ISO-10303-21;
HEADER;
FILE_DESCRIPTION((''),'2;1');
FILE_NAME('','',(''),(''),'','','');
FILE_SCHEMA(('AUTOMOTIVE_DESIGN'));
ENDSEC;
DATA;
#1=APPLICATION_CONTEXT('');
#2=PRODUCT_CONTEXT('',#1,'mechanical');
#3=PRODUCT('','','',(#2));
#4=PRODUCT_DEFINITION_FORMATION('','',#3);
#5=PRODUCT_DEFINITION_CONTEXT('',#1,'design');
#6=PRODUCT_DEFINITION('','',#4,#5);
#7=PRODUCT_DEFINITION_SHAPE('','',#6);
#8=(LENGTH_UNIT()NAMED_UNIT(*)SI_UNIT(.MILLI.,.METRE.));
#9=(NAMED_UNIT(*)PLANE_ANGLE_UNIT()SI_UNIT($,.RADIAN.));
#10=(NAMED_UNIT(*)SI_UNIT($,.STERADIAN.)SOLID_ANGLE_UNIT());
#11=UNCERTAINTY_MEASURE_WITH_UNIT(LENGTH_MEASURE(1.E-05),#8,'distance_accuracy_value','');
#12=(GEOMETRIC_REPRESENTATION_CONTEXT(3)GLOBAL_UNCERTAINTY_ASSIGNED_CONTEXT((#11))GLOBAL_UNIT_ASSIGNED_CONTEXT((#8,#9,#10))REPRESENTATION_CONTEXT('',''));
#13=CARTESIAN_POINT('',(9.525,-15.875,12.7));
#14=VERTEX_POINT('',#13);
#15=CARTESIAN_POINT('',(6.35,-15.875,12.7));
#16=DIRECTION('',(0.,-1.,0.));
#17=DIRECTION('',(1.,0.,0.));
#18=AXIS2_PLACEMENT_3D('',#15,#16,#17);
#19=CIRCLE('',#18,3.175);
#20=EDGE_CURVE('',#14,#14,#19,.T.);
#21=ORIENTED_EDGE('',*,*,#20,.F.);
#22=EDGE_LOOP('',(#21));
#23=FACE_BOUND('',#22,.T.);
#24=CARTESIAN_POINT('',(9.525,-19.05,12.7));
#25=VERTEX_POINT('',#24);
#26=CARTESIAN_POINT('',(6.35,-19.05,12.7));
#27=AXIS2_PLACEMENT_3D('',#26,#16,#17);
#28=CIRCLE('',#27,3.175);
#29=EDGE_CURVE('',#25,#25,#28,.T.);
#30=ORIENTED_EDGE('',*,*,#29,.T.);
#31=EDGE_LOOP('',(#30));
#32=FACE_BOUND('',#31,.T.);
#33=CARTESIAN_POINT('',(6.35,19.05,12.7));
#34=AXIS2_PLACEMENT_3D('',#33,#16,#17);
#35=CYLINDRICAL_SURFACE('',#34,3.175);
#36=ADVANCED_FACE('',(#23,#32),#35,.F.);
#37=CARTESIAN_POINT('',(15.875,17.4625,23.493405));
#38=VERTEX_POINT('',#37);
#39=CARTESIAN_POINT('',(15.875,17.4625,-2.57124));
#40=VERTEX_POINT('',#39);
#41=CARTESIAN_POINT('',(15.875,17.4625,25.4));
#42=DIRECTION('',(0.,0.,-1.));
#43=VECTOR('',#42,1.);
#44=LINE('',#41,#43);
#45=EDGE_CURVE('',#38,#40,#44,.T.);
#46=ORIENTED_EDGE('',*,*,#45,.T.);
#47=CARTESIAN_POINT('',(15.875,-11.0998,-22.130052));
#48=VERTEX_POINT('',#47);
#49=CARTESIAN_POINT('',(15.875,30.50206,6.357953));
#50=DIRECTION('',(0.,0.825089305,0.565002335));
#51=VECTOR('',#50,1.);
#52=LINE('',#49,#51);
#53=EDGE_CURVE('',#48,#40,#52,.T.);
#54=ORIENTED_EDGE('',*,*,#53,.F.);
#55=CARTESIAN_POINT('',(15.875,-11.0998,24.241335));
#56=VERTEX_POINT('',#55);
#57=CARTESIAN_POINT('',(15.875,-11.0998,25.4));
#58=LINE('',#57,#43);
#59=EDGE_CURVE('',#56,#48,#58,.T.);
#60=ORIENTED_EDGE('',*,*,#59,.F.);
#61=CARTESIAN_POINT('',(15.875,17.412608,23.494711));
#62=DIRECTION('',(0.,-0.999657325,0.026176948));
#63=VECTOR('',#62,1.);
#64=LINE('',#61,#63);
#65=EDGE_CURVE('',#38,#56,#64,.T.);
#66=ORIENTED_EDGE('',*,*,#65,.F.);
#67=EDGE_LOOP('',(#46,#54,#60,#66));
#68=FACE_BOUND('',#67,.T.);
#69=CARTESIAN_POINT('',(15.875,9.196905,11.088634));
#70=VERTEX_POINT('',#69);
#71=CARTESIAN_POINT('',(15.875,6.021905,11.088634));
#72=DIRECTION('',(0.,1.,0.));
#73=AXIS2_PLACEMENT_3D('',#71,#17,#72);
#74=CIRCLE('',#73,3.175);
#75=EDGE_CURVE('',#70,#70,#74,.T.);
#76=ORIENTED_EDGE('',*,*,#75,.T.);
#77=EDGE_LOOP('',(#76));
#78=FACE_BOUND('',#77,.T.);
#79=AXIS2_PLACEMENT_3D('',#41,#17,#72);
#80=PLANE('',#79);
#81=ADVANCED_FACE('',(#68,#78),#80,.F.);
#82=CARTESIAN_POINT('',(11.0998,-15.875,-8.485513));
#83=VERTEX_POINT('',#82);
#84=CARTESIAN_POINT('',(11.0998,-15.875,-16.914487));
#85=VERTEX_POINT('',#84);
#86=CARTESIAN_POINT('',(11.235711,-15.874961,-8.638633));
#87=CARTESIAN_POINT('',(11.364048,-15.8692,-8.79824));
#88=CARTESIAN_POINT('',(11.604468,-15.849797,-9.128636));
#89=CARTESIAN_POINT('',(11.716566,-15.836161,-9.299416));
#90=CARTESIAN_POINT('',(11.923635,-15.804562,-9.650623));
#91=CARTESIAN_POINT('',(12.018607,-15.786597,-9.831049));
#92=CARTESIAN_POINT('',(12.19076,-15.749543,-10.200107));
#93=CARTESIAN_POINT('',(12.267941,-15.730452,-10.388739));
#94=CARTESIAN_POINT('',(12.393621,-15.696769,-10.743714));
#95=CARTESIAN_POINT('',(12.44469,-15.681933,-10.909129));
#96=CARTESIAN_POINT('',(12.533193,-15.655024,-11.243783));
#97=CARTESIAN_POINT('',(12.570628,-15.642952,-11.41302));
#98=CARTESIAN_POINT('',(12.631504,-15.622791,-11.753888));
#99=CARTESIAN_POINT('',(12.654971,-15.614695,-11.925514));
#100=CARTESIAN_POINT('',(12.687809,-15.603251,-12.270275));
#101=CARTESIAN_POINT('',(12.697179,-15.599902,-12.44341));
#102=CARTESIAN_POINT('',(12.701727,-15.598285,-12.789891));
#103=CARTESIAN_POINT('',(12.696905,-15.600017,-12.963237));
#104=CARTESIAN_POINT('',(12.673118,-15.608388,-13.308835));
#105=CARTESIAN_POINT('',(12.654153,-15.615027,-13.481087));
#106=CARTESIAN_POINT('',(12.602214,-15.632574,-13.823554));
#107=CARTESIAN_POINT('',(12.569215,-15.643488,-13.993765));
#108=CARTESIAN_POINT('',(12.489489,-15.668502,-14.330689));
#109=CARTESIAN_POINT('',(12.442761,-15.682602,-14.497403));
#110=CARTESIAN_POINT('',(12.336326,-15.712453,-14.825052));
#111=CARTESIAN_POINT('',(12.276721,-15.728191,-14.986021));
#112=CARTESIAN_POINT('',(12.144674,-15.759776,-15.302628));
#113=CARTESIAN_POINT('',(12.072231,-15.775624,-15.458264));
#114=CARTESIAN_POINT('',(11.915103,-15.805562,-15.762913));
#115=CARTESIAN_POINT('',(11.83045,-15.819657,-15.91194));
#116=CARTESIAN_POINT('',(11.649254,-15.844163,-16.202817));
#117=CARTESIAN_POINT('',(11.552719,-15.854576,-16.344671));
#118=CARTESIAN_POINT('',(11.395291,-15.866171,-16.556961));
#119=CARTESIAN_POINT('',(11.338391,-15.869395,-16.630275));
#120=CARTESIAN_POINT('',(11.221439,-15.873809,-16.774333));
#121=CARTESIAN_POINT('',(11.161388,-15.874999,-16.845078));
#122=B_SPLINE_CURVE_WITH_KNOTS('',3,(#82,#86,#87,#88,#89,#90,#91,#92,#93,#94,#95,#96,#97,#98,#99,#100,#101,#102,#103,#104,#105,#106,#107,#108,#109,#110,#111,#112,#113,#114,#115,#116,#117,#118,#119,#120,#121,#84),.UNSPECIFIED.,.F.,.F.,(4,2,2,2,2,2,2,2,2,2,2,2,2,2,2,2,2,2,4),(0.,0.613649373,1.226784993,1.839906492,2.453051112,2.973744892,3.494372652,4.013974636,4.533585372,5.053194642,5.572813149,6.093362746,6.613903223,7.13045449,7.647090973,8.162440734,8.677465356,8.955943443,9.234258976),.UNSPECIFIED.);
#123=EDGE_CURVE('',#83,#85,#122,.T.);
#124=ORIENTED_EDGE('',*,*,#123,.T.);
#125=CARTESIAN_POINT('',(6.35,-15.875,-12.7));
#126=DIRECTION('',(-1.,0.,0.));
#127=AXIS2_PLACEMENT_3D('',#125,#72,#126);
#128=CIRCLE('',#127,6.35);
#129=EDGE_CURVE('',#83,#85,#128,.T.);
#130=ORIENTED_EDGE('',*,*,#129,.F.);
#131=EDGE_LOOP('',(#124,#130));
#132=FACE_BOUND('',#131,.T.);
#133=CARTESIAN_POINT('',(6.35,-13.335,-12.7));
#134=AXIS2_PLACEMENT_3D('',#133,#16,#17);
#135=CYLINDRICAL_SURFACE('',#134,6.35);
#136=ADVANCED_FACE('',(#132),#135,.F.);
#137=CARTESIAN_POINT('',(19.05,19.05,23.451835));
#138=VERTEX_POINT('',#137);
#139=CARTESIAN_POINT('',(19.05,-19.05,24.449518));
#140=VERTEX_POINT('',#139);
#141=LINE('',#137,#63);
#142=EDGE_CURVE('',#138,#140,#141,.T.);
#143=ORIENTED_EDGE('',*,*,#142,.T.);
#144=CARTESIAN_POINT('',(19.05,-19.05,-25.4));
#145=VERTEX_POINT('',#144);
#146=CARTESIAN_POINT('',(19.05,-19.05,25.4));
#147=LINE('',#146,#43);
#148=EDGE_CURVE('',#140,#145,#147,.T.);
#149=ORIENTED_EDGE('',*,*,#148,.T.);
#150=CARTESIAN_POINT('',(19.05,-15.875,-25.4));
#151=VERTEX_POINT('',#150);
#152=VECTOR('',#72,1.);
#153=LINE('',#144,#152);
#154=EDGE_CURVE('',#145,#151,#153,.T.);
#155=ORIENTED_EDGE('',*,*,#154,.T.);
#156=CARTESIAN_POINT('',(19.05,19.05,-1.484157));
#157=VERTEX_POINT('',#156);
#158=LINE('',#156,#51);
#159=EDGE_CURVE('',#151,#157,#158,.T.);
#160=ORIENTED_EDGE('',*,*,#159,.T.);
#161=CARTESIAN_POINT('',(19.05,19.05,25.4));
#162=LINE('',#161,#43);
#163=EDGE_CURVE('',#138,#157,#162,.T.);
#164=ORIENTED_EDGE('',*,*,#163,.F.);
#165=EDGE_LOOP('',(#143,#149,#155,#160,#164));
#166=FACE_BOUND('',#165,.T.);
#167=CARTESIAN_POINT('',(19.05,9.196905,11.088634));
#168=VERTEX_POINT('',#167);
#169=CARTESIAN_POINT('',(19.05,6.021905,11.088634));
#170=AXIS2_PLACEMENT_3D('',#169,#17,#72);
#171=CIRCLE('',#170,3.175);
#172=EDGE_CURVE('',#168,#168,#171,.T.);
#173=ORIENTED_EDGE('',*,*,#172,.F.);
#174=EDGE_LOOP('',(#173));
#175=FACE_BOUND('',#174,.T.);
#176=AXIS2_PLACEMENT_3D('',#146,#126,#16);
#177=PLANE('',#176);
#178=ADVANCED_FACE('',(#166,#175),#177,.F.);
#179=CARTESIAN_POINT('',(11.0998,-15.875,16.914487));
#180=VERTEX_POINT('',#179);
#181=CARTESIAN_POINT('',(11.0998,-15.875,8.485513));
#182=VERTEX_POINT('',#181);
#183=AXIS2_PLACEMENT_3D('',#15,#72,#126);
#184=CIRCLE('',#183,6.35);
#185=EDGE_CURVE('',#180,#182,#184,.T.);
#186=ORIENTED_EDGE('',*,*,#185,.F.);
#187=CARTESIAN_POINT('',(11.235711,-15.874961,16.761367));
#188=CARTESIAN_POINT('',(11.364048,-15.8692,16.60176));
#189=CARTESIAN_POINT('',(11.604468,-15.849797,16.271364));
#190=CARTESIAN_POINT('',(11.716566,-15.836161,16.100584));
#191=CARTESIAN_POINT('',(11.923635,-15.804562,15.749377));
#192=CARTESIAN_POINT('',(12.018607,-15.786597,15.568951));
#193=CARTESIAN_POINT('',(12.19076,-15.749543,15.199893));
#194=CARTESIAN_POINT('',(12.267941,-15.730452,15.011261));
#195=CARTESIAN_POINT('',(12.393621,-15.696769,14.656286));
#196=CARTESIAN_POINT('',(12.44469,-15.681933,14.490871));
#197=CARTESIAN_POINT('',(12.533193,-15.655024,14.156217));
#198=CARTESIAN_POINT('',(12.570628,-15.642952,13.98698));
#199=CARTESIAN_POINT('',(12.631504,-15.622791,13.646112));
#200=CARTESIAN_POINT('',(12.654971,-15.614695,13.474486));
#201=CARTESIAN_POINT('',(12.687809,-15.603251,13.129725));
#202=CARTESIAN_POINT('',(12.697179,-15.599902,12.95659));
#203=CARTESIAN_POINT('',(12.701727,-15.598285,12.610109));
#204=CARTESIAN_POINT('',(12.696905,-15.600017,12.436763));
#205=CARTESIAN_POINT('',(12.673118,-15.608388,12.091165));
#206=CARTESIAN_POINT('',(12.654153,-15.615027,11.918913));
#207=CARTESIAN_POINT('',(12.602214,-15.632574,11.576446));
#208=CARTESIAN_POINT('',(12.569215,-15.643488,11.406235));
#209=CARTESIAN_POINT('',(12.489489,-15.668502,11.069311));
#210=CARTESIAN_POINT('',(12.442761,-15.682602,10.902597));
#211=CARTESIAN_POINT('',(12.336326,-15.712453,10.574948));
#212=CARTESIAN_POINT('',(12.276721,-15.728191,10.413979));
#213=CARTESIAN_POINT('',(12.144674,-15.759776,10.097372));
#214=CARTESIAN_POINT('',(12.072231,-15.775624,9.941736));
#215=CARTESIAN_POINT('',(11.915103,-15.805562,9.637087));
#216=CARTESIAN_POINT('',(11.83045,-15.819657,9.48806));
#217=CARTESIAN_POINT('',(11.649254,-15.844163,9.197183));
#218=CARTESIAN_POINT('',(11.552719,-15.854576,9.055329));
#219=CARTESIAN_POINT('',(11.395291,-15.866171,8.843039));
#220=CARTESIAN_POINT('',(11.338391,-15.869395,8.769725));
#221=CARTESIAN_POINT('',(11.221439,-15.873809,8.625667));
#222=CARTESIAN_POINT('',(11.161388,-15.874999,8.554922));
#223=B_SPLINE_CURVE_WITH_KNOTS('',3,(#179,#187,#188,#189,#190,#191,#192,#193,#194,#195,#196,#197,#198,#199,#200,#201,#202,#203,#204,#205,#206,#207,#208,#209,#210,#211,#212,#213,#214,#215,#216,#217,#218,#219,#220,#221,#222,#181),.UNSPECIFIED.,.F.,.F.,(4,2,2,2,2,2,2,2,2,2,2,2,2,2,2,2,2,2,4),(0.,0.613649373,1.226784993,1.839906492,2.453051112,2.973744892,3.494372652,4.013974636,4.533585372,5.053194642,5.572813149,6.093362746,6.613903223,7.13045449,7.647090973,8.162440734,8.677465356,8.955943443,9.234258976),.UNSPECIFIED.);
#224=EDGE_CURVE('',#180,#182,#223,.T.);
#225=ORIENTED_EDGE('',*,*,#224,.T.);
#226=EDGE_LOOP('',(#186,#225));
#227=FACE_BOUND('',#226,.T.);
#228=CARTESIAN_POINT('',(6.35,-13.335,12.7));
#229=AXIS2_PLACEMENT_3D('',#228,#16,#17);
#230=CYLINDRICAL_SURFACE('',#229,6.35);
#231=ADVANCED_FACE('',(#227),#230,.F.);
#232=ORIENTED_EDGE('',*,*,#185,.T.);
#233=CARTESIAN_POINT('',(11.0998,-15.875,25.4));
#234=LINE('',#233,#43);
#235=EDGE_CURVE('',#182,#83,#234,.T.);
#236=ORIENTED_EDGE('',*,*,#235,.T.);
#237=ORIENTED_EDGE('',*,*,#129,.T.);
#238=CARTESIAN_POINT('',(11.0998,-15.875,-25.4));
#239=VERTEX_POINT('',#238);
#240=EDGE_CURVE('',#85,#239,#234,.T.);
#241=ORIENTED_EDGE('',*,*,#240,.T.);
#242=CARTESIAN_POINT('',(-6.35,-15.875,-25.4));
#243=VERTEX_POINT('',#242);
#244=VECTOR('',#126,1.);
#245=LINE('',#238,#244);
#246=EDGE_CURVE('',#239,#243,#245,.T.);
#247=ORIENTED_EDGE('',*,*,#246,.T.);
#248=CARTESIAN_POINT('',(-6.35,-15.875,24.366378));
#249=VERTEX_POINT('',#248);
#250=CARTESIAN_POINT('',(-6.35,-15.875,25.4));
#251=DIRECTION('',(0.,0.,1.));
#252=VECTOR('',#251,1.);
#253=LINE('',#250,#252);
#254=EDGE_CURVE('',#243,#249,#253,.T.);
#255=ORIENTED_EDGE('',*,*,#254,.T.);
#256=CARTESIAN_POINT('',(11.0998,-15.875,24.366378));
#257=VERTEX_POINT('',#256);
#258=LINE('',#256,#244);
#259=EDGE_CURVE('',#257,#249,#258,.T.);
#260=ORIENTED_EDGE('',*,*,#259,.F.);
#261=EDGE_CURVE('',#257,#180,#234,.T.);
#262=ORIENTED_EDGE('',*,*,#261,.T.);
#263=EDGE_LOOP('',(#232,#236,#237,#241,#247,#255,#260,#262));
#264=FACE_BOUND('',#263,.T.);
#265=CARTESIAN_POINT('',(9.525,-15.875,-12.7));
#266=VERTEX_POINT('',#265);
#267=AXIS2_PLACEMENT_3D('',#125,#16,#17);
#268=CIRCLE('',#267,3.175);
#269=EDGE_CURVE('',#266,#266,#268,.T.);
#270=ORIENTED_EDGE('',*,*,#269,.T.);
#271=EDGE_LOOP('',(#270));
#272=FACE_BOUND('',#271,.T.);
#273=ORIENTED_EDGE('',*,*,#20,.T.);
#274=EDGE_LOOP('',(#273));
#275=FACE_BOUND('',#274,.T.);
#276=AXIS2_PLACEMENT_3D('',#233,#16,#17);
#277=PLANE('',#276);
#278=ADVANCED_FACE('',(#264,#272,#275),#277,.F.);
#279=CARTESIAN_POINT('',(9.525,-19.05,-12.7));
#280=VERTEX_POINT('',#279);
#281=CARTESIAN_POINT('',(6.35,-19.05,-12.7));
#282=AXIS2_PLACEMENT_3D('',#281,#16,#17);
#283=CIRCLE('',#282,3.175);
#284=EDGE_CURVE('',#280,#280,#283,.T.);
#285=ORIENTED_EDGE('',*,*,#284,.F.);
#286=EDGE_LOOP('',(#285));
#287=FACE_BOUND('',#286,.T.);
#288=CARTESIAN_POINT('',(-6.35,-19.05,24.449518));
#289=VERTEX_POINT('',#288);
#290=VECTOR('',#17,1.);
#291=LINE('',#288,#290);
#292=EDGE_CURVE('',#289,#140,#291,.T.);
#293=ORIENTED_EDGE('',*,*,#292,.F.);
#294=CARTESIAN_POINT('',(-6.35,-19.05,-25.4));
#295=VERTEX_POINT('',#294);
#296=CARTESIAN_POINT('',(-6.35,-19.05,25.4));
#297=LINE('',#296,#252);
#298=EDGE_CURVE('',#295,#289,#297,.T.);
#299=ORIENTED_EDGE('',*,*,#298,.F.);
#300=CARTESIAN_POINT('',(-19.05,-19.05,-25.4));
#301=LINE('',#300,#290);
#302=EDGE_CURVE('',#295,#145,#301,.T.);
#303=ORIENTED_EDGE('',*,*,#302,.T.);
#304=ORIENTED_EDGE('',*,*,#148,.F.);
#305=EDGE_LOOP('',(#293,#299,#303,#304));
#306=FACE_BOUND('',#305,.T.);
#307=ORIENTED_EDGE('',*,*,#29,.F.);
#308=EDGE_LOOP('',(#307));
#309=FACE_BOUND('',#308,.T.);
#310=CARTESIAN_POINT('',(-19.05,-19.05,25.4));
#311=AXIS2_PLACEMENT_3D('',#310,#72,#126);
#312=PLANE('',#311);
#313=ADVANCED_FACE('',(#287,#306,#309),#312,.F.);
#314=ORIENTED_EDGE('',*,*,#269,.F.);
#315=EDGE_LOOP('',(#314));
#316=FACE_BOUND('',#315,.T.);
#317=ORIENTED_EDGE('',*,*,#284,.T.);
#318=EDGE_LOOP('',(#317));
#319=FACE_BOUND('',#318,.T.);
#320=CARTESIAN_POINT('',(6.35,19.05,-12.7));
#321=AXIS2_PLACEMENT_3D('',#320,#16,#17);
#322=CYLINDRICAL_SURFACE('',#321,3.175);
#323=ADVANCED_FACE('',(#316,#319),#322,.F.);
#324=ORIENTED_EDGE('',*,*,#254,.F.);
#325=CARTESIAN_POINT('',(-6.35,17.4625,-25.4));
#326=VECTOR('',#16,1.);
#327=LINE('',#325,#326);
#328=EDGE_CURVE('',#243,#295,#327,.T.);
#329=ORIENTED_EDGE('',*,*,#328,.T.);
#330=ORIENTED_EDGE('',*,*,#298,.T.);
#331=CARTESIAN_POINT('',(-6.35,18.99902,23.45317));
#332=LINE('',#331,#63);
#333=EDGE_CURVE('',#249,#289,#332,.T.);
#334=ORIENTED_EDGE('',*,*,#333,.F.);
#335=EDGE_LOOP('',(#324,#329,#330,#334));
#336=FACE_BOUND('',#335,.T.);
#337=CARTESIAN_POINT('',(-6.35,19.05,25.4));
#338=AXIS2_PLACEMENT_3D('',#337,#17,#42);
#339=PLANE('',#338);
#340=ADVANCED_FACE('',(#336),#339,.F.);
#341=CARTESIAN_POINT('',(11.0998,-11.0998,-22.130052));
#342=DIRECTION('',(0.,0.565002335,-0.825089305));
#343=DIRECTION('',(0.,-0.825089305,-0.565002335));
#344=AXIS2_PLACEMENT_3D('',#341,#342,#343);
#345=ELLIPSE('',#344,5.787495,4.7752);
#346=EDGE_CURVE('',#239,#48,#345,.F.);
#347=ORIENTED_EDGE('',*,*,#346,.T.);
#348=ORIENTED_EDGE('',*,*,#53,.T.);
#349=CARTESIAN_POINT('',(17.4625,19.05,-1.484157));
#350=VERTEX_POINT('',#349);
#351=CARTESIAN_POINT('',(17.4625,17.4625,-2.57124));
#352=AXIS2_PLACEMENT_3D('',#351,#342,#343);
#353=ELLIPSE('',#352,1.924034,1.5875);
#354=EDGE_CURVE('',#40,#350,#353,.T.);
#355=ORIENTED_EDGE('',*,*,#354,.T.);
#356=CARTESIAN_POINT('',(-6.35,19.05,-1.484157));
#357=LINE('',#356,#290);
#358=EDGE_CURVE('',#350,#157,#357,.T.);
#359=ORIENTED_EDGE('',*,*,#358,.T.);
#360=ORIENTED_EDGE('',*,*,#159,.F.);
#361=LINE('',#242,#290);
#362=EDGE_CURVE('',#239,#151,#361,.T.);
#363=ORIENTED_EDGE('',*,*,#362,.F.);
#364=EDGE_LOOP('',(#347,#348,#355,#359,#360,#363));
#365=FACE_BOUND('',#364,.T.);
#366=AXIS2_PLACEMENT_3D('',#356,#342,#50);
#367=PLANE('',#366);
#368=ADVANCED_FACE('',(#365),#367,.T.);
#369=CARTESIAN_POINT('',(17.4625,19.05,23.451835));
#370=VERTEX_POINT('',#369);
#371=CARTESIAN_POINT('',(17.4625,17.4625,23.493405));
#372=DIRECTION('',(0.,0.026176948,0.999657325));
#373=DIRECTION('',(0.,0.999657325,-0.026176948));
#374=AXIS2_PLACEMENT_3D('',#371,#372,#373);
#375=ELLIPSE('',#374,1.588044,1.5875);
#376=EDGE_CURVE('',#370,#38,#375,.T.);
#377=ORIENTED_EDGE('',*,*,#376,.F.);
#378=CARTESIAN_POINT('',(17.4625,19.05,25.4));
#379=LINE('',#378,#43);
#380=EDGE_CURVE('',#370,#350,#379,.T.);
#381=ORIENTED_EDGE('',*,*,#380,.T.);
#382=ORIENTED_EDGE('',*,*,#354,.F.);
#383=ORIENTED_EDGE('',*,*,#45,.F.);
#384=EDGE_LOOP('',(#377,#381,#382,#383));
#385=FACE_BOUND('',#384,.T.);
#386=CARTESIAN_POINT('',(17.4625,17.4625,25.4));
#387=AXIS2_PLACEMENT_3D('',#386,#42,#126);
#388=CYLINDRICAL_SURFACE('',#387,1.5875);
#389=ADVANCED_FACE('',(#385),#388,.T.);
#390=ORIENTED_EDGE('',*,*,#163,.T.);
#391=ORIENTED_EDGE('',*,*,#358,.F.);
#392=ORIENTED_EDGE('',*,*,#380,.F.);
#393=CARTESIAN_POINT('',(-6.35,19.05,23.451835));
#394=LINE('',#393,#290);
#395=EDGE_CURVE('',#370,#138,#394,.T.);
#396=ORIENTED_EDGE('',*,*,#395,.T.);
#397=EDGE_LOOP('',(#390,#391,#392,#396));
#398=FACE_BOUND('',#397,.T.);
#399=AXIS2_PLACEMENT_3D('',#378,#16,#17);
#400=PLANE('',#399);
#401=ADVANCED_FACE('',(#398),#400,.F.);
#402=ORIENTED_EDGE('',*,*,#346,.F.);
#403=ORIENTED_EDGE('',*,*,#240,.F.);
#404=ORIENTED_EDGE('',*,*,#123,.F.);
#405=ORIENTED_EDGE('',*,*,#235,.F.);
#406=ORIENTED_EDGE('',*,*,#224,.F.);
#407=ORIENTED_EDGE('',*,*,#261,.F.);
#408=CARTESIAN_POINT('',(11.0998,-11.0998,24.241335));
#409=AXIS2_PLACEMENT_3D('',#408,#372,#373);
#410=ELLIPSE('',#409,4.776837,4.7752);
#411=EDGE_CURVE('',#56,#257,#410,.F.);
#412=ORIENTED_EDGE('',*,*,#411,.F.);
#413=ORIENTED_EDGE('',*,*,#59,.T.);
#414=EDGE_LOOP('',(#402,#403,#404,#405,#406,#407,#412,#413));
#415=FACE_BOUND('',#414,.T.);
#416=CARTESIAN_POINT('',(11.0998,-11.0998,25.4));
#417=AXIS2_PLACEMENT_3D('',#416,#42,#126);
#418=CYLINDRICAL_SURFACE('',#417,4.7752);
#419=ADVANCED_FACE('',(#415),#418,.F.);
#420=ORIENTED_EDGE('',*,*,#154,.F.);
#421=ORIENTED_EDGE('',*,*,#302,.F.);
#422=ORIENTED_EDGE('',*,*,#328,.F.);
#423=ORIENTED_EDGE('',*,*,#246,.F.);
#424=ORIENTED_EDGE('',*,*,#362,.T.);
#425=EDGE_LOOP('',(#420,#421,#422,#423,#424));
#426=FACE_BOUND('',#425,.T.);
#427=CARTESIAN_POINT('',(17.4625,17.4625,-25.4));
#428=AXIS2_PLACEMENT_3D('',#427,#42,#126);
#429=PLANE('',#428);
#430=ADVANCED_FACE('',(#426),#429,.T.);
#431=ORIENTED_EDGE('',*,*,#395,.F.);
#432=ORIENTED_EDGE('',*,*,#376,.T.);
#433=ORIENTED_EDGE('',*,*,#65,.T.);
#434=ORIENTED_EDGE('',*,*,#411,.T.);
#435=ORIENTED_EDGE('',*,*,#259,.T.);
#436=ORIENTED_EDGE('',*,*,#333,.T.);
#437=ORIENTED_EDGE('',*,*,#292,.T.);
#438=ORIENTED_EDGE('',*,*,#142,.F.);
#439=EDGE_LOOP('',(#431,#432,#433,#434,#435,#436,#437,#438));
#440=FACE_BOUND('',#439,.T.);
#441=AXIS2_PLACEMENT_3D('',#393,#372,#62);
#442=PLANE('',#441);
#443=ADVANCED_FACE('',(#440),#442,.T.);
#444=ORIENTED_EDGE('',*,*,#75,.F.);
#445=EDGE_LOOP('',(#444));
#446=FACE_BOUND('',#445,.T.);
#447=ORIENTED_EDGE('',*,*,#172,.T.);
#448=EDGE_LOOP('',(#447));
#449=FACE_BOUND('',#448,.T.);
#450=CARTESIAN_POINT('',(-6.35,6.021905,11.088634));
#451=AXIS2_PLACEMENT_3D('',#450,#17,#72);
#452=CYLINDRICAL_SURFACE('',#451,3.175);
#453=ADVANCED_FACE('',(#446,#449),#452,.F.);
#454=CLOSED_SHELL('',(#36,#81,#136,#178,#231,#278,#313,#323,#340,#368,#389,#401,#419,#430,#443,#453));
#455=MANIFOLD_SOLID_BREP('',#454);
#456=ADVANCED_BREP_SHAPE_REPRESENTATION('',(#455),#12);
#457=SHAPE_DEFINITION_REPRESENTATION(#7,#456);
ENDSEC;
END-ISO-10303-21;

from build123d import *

# Parameters (mm, degrees)
BOSS_EXTRUDE1_DEPTH = 25.4
SKETCH3_R           = 3.175
SKETCH3_W           = 12.7
SKETCH3_H           = 50.8
CUT_EXTRUDE1_DEPTH  = 50.595085442
SKETCH12_OUTSIDE_W  = 66.478
SKETCH12_OUTSIDE_H  = 53.778
CUT_EXTRUDE2_DEPTH  = 41.659838908
SKETCH13_R          = 3.175
CUT_EXTRUDE3_DEPTH  = 41.659838908
SKETCH14_R          = 6.35
CUT_EXTRUDE4_DEPTH  = 2.54


with BuildPart() as part:
    # Sketch2 → Boss-Extrude1 (new, symmetric)
    with BuildSketch(Plane.XY):
        with BuildLine():
            Line((-19.05, -19.05), (19.05, -19.05))
            Line((19.05, -19.05), (19.05, 19.05))
            Line((19.05, 19.05), (17.4625, 19.05))
            ThreePointArc((17.4625, 19.05), (16.339967985, 18.585032015), (15.875, 17.4625))
            Line((15.875, 17.4625), (15.875, -11.0998))
            ThreePointArc((15.875, -11.0998), (14.476376302, -14.476376302), (11.0998, -15.875))
            Line((11.0998, -15.875), (-17.4625, -15.875))
            ThreePointArc((-17.4625, -15.875), (-18.585032015, -16.339967985), (-19.05, -17.4625))
            Line((-19.05, -17.4625), (-19.05, -19.05))
        make_face()
    extrude(amount=BOSS_EXTRUDE1_DEPTH, both=True)

    # Sketch3 → Cut-Extrude1 (cut, through all)
    with BuildSketch(Plane.XZ.offset(19.05)):
        with Locations((6.35, 12.7)):
            Circle(SKETCH3_R)
        with Locations((6.35, -12.7)):
            Circle(SKETCH3_R)
        with Locations((-12.7, 0)):
            Rectangle(SKETCH3_W, SKETCH3_H)
    extrude(amount=-CUT_EXTRUDE1_DEPTH, mode=Mode.SUBTRACT)

    # Sketch12 outside → Cut-Extrude2 (cut, through all)
    with BuildSketch(Plane(origin=(19.05, 0, 0), x_dir=(0, 0, -1), z_dir=(1, 0, 0))):
        Rectangle(SKETCH12_OUTSIDE_W, SKETCH12_OUTSIDE_H)
        Polygon((-23.451834826, 19.05), (1.48415665, 19.05), (25.4, -15.875), (25.4, -19.05), (-24.449518438, -19.05), align=None, mode=Mode.SUBTRACT)
    extrude(amount=-CUT_EXTRUDE2_DEPTH, mode=Mode.SUBTRACT)

    # Sketch13 → Cut-Extrude3 (cut, through all)
    with BuildSketch(Plane(origin=(19.05, 0, 0), x_dir=(0, 0, -1), z_dir=(1, 0, 0))):
        with Locations(Location((-11.088634042, 6.021904729, 0), (0, 0, 90))):
            Circle(SKETCH13_R)
    extrude(amount=-CUT_EXTRUDE3_DEPTH, mode=Mode.SUBTRACT)

    # Sketch14 → Cut-Extrude4 (cut)
    with BuildSketch(Plane(origin=(0, -15.875, 0), x_dir=(1, 0, 0), z_dir=(0, 1, 0))):
        with Locations((6.35, 12.7)):
            Circle(SKETCH14_R)
        with Locations((6.35, -12.7)):
            Circle(SKETCH14_R)
    extrude(amount=CUT_EXTRUDE4_DEPTH, mode=Mode.SUBTRACT)


solid = part.part
